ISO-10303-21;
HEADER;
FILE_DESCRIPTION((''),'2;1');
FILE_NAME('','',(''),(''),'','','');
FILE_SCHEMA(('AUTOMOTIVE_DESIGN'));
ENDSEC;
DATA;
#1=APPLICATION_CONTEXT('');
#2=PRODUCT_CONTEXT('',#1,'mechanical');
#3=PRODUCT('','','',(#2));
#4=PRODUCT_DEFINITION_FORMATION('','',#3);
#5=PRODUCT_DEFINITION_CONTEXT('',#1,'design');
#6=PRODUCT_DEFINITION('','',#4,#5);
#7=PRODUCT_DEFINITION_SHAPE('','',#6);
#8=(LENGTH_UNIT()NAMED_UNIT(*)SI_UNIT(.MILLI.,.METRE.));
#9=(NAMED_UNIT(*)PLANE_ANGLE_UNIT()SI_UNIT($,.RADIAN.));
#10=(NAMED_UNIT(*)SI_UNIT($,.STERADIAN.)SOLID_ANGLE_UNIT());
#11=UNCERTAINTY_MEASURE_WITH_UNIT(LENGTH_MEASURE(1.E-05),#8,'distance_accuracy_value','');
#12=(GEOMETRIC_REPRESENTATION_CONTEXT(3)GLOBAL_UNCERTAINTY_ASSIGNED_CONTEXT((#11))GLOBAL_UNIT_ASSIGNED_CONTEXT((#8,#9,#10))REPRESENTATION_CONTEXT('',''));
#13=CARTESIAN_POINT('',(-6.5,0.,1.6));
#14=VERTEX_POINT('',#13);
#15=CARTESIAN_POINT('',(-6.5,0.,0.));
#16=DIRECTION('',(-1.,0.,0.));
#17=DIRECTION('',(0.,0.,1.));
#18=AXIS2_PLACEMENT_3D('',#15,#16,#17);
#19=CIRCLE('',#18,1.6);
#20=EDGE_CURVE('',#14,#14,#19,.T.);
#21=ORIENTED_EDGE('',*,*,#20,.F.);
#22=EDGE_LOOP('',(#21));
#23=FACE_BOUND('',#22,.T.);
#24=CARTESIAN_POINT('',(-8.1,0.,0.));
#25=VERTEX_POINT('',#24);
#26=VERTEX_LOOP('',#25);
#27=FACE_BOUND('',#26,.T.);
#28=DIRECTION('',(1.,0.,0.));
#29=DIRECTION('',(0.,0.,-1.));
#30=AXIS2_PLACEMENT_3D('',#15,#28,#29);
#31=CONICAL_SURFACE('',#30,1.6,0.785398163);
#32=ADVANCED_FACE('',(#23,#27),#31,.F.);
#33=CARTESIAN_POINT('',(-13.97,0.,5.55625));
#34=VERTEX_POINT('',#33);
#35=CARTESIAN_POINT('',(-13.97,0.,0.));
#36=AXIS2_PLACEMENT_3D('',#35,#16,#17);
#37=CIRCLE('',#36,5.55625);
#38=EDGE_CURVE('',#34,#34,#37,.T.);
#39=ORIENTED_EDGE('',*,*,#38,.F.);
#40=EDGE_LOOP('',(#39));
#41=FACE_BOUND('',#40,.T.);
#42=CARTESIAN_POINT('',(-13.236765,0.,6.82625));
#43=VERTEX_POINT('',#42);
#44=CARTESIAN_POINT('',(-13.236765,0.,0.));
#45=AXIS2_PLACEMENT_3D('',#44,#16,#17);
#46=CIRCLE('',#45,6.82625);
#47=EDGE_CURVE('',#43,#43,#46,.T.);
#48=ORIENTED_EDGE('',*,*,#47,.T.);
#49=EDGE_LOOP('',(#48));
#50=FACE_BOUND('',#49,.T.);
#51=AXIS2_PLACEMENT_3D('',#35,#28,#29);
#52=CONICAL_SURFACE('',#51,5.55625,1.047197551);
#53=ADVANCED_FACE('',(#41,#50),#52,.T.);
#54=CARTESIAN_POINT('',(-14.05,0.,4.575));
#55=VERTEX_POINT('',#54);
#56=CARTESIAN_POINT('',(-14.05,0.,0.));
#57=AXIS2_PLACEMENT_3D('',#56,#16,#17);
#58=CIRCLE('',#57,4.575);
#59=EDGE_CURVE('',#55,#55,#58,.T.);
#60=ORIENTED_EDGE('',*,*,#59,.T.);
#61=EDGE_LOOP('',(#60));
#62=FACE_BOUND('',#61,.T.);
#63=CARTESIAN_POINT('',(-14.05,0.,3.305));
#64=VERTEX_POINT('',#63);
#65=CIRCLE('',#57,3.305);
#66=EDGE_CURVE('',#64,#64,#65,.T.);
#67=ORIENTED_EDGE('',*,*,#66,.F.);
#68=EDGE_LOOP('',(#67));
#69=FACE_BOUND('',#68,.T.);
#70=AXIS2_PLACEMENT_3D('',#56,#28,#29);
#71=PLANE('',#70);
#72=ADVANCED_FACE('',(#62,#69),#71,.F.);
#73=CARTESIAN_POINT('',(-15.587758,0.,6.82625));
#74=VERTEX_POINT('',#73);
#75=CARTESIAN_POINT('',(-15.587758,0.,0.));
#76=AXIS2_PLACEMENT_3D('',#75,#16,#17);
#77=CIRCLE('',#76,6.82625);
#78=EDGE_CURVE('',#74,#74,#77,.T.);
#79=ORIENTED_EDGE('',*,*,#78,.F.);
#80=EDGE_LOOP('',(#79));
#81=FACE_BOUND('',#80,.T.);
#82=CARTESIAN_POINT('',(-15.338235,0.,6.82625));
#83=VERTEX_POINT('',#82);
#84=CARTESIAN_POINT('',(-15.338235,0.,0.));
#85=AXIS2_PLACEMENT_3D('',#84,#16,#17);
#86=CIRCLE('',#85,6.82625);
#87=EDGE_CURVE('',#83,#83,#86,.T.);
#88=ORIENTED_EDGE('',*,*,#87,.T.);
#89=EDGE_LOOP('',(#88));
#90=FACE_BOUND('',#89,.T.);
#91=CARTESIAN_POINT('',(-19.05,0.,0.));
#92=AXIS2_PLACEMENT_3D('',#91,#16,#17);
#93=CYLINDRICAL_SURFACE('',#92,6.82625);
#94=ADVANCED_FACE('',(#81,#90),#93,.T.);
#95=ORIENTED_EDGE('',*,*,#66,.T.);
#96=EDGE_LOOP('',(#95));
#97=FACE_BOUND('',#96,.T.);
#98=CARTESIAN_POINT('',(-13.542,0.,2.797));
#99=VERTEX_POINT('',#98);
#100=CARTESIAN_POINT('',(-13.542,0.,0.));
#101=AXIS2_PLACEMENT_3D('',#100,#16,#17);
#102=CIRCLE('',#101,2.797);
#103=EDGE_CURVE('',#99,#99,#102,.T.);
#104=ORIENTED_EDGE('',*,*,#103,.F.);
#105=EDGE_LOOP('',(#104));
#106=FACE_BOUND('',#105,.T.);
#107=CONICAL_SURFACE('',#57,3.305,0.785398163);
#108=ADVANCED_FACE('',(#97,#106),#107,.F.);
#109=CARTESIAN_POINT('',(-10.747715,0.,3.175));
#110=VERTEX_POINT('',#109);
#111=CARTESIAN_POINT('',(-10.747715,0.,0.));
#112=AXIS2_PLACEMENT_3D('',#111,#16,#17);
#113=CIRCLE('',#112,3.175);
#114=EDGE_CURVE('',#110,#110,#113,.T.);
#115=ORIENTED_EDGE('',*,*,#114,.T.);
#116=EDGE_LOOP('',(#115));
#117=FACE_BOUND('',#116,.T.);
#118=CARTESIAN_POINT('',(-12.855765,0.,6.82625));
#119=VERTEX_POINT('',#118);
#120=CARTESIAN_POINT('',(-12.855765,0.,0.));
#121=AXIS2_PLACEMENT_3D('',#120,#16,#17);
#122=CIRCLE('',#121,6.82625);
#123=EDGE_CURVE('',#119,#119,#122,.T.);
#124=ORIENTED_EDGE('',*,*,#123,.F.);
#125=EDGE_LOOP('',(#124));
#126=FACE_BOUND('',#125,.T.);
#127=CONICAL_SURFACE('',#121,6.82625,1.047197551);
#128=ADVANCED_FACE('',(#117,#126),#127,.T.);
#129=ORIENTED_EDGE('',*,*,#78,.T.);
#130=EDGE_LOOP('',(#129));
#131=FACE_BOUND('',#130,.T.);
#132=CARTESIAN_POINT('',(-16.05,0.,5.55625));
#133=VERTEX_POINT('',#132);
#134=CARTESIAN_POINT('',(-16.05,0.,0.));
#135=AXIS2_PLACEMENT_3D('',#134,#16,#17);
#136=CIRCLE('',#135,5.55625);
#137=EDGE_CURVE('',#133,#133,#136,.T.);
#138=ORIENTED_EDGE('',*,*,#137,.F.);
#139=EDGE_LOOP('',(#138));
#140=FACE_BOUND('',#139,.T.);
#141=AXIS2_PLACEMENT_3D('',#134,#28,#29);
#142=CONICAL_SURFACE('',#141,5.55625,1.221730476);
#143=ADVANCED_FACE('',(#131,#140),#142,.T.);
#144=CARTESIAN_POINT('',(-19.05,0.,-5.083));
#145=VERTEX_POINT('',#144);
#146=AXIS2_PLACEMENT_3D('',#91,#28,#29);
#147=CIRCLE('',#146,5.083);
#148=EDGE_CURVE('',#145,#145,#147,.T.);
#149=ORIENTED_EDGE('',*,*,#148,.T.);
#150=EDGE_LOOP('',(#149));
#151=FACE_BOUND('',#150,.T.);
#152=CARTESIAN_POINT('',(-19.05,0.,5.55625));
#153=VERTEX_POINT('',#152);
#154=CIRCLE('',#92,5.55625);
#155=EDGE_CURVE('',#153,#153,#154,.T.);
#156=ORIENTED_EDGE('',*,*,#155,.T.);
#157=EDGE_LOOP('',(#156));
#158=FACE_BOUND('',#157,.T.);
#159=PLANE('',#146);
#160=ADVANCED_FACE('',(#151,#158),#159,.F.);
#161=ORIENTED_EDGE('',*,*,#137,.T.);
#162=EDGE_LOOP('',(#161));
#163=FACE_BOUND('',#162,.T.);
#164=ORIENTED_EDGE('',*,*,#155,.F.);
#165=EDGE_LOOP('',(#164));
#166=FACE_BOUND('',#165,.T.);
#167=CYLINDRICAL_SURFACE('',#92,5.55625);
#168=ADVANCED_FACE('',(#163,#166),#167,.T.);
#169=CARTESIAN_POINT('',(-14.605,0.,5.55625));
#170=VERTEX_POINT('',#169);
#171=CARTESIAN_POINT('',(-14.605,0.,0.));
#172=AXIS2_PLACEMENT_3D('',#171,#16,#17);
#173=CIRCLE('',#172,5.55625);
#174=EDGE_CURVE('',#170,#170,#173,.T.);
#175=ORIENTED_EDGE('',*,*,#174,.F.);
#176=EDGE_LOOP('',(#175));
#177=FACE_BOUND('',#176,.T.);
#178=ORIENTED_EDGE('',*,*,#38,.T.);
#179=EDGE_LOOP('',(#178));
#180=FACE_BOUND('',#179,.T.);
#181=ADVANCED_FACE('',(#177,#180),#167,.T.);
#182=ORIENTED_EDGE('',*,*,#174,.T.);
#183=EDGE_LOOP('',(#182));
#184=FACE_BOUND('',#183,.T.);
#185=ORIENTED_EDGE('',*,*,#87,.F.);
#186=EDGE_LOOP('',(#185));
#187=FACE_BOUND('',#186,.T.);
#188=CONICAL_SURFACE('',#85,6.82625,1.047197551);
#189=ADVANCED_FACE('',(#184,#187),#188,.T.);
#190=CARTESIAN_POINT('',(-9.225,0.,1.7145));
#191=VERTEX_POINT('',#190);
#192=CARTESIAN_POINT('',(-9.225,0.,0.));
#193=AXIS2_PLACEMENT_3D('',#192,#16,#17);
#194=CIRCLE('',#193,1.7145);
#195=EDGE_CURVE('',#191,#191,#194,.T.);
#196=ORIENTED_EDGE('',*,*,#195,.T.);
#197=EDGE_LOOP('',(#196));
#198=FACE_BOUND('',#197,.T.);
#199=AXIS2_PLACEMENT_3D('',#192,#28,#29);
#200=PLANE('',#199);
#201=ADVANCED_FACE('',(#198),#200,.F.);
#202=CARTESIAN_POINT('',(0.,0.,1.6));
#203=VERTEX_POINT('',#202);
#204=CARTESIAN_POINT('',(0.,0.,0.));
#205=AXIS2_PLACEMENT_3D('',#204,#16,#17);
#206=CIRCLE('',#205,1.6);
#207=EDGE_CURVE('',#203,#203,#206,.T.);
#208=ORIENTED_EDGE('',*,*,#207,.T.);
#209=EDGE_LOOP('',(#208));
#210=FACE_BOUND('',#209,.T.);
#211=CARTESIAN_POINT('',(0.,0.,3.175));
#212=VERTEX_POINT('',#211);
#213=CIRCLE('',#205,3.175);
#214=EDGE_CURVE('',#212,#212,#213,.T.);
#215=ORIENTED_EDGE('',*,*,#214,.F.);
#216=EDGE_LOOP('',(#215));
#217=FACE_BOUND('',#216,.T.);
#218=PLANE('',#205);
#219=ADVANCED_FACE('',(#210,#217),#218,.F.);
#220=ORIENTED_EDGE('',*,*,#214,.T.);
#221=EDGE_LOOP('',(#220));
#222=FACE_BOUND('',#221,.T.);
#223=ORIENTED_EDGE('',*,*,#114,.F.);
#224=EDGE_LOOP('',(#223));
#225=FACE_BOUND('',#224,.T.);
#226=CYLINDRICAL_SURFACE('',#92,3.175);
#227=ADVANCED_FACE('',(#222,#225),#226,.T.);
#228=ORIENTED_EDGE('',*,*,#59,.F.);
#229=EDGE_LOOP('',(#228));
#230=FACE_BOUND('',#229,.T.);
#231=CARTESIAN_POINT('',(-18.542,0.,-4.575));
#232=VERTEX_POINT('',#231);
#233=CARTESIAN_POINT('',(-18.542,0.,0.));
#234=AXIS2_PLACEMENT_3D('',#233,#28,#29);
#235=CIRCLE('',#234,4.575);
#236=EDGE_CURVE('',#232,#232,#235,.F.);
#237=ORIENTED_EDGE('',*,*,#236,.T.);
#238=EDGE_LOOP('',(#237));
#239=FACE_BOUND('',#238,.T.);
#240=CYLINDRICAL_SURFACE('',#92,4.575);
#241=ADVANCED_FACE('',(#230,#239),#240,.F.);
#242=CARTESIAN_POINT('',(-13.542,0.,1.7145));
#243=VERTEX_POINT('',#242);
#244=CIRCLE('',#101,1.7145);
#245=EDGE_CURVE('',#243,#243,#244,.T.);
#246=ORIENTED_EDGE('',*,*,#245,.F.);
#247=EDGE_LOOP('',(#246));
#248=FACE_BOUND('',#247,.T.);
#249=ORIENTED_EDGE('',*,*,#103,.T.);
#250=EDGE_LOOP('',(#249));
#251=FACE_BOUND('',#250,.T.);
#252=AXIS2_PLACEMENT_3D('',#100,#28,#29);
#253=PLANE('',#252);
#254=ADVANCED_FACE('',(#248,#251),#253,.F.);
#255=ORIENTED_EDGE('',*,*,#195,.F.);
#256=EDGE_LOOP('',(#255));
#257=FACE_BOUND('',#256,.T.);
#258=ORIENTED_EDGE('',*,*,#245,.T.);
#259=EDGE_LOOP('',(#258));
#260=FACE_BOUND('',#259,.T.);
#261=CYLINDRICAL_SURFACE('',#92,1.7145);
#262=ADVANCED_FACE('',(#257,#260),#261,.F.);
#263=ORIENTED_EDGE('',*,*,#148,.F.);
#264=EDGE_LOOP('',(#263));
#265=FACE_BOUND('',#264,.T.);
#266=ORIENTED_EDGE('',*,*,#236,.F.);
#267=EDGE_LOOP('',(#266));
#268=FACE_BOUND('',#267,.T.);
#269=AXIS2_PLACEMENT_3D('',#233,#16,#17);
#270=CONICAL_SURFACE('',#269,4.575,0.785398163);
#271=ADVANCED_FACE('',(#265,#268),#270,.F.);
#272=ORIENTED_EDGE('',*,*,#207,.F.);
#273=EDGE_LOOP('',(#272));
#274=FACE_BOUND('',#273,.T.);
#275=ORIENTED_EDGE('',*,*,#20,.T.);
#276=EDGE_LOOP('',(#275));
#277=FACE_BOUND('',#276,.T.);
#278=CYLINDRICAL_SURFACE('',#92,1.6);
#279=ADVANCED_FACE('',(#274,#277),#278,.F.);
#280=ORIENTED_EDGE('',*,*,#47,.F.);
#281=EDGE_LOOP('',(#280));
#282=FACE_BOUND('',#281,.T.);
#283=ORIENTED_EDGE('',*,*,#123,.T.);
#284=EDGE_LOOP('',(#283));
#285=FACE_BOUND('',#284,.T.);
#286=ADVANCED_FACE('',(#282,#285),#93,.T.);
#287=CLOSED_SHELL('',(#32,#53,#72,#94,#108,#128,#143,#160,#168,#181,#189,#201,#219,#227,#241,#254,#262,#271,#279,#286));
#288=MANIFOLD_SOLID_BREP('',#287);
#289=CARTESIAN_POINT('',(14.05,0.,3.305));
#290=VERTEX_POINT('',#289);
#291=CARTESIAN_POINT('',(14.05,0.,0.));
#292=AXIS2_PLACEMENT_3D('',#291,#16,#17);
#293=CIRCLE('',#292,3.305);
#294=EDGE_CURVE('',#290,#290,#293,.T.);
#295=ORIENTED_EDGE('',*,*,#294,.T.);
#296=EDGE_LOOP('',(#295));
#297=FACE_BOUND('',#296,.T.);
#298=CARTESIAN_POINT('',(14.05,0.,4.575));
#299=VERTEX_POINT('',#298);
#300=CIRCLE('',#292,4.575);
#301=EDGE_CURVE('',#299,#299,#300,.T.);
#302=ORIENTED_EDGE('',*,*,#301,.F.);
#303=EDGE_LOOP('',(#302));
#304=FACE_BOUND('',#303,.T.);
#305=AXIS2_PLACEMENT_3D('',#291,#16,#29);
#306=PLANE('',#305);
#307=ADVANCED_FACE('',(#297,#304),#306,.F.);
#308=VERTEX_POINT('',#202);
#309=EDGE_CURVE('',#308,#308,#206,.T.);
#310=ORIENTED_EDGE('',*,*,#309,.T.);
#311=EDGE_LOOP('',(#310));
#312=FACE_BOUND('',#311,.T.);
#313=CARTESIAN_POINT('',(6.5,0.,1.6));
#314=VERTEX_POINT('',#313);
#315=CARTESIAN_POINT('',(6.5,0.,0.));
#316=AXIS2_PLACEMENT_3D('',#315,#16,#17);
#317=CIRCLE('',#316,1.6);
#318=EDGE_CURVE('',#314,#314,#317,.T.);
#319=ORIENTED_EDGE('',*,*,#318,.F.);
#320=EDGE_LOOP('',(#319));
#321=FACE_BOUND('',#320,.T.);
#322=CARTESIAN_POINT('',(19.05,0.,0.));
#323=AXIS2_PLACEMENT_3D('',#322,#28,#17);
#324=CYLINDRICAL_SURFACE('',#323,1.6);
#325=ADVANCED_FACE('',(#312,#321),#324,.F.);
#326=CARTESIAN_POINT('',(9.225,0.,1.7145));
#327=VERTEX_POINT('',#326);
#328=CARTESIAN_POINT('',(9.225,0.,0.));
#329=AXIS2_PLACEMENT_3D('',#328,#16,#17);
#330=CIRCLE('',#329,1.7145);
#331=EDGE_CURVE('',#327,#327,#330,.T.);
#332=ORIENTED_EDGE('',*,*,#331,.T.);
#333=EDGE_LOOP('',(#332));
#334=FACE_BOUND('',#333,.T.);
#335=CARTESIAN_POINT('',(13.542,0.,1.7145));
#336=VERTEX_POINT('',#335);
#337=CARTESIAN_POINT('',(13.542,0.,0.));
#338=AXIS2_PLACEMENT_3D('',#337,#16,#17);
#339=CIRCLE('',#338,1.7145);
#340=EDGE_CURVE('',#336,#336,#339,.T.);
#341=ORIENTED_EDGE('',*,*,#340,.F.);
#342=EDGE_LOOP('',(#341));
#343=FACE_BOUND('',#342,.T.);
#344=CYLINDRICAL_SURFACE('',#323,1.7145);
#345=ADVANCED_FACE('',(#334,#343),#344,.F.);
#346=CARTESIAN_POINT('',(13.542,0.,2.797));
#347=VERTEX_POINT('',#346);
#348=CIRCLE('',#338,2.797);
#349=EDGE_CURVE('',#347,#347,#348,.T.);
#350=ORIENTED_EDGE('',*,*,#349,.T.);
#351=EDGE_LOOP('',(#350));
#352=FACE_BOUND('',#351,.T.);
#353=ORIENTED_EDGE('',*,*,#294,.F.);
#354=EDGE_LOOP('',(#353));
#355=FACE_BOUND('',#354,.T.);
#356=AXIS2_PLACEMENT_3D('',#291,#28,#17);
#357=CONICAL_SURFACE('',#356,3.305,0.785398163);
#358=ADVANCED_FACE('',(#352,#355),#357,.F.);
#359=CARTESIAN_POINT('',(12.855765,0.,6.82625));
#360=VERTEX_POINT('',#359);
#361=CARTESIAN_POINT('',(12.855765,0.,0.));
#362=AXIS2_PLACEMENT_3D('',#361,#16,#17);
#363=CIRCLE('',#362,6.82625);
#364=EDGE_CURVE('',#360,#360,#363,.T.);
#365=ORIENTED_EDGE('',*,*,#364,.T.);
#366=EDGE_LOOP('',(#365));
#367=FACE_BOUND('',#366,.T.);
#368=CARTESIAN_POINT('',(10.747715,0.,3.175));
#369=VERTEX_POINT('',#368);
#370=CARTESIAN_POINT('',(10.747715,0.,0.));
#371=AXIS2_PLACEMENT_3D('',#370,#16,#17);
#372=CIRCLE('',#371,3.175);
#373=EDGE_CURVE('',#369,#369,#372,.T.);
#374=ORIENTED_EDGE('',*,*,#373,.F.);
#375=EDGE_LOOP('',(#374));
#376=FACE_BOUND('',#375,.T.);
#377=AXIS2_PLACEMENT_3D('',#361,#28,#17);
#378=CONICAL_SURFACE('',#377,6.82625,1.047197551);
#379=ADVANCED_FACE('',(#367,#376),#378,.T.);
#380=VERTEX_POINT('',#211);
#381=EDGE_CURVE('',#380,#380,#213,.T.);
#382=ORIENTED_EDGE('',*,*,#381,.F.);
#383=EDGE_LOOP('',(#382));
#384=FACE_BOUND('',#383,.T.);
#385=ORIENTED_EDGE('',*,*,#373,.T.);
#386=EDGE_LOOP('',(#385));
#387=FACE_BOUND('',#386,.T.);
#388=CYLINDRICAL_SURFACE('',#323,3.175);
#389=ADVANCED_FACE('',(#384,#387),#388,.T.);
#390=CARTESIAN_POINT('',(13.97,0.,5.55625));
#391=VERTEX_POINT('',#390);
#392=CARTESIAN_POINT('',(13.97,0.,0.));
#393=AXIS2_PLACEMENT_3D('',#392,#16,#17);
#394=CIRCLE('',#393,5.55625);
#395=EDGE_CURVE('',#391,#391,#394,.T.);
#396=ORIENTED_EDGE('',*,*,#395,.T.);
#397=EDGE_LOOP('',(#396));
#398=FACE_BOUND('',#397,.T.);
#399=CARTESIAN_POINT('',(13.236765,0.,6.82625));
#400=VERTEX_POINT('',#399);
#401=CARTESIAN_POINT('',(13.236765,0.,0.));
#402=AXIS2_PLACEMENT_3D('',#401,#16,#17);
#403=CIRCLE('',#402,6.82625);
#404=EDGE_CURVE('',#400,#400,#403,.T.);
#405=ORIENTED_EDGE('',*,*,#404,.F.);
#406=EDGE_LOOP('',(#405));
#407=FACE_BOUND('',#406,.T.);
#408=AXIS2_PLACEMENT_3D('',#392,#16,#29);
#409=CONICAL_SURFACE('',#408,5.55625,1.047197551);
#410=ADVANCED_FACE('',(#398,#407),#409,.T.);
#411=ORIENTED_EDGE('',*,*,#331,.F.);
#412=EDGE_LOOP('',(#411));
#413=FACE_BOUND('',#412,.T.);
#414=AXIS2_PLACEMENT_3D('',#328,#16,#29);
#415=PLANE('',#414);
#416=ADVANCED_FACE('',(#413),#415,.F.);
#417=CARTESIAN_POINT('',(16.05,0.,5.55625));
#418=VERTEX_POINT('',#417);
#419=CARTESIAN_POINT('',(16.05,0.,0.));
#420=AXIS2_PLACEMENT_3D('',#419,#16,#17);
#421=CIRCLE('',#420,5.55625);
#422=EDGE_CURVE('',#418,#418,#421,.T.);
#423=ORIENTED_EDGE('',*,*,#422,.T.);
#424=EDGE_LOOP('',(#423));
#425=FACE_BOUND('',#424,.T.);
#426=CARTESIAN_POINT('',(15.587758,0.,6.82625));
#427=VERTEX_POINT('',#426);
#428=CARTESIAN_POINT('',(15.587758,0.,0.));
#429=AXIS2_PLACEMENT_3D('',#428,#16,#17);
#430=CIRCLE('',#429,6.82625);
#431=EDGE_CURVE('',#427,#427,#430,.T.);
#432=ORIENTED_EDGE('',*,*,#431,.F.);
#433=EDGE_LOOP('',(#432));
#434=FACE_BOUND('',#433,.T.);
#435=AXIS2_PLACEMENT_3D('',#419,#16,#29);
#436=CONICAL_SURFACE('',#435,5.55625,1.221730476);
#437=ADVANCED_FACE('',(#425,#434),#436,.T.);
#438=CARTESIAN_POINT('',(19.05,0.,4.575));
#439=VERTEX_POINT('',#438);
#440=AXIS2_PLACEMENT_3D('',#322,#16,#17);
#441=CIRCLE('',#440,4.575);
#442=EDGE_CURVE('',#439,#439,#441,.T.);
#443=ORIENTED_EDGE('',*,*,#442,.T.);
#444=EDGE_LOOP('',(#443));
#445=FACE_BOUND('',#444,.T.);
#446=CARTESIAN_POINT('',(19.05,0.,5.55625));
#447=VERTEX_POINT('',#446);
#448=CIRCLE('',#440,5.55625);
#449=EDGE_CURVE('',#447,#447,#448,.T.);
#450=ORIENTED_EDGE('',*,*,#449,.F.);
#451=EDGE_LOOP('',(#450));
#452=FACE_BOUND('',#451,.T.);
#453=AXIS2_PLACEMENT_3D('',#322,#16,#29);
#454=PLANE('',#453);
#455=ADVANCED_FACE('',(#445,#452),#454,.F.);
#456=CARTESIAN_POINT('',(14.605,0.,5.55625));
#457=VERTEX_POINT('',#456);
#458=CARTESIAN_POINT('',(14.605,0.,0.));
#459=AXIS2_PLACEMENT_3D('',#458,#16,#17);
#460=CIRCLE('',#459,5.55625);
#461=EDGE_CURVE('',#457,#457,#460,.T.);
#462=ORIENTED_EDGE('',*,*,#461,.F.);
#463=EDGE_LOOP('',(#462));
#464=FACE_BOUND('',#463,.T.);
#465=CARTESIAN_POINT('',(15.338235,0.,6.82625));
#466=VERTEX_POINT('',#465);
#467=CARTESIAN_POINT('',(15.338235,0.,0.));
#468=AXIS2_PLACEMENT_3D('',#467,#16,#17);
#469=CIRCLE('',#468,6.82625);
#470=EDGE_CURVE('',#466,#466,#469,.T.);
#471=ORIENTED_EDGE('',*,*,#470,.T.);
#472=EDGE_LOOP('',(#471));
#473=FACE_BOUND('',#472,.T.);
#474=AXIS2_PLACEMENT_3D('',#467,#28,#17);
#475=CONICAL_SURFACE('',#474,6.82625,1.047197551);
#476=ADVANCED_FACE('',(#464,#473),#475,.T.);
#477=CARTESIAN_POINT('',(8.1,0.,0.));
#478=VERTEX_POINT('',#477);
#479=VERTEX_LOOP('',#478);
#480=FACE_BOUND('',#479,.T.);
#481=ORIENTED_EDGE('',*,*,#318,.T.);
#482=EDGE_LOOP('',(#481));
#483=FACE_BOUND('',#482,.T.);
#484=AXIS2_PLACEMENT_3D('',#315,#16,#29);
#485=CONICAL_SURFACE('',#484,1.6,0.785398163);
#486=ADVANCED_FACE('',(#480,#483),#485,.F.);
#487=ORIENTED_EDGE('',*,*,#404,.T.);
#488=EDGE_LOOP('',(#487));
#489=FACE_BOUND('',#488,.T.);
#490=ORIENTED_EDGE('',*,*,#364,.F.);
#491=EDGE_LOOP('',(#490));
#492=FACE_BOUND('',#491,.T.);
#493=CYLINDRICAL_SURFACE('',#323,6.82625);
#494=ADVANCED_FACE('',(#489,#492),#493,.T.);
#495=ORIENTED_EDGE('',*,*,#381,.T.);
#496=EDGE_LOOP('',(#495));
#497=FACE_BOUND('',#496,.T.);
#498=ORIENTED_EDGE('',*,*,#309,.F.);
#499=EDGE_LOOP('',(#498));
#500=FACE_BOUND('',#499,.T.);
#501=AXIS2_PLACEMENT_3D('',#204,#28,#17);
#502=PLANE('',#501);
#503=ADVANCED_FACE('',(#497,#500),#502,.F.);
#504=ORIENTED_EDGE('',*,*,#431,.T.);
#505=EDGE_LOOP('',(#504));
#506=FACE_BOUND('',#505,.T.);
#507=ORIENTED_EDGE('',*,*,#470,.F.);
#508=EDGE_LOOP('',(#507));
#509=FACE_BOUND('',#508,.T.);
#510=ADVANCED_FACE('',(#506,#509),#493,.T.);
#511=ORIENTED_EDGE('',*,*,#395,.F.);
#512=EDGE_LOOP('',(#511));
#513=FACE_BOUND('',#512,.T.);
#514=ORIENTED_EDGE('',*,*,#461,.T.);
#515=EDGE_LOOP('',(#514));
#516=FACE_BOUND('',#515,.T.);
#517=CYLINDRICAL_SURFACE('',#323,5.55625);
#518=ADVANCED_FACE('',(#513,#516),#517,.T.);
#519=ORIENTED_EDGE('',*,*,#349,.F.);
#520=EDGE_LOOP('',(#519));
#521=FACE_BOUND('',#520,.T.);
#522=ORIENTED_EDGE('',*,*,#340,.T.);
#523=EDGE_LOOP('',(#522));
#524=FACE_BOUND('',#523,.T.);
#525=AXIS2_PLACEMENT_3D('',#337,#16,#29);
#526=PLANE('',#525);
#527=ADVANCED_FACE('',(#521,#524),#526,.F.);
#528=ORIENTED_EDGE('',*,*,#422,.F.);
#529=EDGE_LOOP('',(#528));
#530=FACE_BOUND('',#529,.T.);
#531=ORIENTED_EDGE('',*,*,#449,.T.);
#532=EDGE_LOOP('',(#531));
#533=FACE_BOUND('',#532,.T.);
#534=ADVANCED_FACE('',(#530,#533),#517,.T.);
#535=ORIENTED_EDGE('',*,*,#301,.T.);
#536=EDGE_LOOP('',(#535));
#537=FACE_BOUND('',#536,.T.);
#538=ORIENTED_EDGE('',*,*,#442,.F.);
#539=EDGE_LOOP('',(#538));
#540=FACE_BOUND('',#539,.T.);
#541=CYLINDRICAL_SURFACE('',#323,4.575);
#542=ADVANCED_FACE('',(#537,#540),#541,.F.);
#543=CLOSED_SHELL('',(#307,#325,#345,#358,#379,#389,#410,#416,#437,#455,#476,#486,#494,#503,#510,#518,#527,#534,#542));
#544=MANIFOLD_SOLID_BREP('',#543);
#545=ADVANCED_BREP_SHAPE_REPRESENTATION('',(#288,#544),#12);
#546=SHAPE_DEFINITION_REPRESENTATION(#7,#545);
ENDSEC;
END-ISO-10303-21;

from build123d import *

# Parameters (mm, degrees)
CHAMFER1_SIZE = 0.508


with BuildPart() as part:
    # Sketch2 → Revolve1 (revolve)
    with BuildSketch(Plane.XY, mode=Mode.PRIVATE) as revolve1_sk:
        Polygon((-16.05, 5.55625), (-19.05, 5.55625), (-19.05, 4.575), (-14.05, 4.575), (-14.05, 3.305), (-13.542, 2.797), (-13.542, 1.7145), (-9.225, 1.7145), (-9.225, 0), (-8.1, 0), (-6.5, 1.6), (0, 1.6), (0, 3.175), (-10.747714988, 3.175), (-12.855765158, 6.82625), (-13.236765158, 6.82625), (-13.97, 5.55625), (-14.605, 5.55625), (-15.338234842, 6.82625), (-15.587757802, 6.82625), align=None)
    revolve(revolve1_sk.sketch.rotate(Axis((-19.05, 0, 0), (1, 0, 0)), 90), axis=Axis((-19.05, 0, 0), (1, 0, 0)))


with BuildPart() as body_2:
    # Mirror1: mirrored copy
    add(part.part.mirror(Plane(origin=(0, 0, 0), x_dir=(0, 0, 1), z_dir=(1, 0, 0))))


with BuildPart() as part_1:
    add(part.part)

    # Chamfer1
    chamfer1_edges = [part_1.edges().sort_by_distance(p)[0] for p in [
        (-19.05, 0, -4.575),
    ]]
    chamfer(chamfer1_edges, length=CHAMFER1_SIZE)


solid = Compound([body_2.part, part_1.part])
